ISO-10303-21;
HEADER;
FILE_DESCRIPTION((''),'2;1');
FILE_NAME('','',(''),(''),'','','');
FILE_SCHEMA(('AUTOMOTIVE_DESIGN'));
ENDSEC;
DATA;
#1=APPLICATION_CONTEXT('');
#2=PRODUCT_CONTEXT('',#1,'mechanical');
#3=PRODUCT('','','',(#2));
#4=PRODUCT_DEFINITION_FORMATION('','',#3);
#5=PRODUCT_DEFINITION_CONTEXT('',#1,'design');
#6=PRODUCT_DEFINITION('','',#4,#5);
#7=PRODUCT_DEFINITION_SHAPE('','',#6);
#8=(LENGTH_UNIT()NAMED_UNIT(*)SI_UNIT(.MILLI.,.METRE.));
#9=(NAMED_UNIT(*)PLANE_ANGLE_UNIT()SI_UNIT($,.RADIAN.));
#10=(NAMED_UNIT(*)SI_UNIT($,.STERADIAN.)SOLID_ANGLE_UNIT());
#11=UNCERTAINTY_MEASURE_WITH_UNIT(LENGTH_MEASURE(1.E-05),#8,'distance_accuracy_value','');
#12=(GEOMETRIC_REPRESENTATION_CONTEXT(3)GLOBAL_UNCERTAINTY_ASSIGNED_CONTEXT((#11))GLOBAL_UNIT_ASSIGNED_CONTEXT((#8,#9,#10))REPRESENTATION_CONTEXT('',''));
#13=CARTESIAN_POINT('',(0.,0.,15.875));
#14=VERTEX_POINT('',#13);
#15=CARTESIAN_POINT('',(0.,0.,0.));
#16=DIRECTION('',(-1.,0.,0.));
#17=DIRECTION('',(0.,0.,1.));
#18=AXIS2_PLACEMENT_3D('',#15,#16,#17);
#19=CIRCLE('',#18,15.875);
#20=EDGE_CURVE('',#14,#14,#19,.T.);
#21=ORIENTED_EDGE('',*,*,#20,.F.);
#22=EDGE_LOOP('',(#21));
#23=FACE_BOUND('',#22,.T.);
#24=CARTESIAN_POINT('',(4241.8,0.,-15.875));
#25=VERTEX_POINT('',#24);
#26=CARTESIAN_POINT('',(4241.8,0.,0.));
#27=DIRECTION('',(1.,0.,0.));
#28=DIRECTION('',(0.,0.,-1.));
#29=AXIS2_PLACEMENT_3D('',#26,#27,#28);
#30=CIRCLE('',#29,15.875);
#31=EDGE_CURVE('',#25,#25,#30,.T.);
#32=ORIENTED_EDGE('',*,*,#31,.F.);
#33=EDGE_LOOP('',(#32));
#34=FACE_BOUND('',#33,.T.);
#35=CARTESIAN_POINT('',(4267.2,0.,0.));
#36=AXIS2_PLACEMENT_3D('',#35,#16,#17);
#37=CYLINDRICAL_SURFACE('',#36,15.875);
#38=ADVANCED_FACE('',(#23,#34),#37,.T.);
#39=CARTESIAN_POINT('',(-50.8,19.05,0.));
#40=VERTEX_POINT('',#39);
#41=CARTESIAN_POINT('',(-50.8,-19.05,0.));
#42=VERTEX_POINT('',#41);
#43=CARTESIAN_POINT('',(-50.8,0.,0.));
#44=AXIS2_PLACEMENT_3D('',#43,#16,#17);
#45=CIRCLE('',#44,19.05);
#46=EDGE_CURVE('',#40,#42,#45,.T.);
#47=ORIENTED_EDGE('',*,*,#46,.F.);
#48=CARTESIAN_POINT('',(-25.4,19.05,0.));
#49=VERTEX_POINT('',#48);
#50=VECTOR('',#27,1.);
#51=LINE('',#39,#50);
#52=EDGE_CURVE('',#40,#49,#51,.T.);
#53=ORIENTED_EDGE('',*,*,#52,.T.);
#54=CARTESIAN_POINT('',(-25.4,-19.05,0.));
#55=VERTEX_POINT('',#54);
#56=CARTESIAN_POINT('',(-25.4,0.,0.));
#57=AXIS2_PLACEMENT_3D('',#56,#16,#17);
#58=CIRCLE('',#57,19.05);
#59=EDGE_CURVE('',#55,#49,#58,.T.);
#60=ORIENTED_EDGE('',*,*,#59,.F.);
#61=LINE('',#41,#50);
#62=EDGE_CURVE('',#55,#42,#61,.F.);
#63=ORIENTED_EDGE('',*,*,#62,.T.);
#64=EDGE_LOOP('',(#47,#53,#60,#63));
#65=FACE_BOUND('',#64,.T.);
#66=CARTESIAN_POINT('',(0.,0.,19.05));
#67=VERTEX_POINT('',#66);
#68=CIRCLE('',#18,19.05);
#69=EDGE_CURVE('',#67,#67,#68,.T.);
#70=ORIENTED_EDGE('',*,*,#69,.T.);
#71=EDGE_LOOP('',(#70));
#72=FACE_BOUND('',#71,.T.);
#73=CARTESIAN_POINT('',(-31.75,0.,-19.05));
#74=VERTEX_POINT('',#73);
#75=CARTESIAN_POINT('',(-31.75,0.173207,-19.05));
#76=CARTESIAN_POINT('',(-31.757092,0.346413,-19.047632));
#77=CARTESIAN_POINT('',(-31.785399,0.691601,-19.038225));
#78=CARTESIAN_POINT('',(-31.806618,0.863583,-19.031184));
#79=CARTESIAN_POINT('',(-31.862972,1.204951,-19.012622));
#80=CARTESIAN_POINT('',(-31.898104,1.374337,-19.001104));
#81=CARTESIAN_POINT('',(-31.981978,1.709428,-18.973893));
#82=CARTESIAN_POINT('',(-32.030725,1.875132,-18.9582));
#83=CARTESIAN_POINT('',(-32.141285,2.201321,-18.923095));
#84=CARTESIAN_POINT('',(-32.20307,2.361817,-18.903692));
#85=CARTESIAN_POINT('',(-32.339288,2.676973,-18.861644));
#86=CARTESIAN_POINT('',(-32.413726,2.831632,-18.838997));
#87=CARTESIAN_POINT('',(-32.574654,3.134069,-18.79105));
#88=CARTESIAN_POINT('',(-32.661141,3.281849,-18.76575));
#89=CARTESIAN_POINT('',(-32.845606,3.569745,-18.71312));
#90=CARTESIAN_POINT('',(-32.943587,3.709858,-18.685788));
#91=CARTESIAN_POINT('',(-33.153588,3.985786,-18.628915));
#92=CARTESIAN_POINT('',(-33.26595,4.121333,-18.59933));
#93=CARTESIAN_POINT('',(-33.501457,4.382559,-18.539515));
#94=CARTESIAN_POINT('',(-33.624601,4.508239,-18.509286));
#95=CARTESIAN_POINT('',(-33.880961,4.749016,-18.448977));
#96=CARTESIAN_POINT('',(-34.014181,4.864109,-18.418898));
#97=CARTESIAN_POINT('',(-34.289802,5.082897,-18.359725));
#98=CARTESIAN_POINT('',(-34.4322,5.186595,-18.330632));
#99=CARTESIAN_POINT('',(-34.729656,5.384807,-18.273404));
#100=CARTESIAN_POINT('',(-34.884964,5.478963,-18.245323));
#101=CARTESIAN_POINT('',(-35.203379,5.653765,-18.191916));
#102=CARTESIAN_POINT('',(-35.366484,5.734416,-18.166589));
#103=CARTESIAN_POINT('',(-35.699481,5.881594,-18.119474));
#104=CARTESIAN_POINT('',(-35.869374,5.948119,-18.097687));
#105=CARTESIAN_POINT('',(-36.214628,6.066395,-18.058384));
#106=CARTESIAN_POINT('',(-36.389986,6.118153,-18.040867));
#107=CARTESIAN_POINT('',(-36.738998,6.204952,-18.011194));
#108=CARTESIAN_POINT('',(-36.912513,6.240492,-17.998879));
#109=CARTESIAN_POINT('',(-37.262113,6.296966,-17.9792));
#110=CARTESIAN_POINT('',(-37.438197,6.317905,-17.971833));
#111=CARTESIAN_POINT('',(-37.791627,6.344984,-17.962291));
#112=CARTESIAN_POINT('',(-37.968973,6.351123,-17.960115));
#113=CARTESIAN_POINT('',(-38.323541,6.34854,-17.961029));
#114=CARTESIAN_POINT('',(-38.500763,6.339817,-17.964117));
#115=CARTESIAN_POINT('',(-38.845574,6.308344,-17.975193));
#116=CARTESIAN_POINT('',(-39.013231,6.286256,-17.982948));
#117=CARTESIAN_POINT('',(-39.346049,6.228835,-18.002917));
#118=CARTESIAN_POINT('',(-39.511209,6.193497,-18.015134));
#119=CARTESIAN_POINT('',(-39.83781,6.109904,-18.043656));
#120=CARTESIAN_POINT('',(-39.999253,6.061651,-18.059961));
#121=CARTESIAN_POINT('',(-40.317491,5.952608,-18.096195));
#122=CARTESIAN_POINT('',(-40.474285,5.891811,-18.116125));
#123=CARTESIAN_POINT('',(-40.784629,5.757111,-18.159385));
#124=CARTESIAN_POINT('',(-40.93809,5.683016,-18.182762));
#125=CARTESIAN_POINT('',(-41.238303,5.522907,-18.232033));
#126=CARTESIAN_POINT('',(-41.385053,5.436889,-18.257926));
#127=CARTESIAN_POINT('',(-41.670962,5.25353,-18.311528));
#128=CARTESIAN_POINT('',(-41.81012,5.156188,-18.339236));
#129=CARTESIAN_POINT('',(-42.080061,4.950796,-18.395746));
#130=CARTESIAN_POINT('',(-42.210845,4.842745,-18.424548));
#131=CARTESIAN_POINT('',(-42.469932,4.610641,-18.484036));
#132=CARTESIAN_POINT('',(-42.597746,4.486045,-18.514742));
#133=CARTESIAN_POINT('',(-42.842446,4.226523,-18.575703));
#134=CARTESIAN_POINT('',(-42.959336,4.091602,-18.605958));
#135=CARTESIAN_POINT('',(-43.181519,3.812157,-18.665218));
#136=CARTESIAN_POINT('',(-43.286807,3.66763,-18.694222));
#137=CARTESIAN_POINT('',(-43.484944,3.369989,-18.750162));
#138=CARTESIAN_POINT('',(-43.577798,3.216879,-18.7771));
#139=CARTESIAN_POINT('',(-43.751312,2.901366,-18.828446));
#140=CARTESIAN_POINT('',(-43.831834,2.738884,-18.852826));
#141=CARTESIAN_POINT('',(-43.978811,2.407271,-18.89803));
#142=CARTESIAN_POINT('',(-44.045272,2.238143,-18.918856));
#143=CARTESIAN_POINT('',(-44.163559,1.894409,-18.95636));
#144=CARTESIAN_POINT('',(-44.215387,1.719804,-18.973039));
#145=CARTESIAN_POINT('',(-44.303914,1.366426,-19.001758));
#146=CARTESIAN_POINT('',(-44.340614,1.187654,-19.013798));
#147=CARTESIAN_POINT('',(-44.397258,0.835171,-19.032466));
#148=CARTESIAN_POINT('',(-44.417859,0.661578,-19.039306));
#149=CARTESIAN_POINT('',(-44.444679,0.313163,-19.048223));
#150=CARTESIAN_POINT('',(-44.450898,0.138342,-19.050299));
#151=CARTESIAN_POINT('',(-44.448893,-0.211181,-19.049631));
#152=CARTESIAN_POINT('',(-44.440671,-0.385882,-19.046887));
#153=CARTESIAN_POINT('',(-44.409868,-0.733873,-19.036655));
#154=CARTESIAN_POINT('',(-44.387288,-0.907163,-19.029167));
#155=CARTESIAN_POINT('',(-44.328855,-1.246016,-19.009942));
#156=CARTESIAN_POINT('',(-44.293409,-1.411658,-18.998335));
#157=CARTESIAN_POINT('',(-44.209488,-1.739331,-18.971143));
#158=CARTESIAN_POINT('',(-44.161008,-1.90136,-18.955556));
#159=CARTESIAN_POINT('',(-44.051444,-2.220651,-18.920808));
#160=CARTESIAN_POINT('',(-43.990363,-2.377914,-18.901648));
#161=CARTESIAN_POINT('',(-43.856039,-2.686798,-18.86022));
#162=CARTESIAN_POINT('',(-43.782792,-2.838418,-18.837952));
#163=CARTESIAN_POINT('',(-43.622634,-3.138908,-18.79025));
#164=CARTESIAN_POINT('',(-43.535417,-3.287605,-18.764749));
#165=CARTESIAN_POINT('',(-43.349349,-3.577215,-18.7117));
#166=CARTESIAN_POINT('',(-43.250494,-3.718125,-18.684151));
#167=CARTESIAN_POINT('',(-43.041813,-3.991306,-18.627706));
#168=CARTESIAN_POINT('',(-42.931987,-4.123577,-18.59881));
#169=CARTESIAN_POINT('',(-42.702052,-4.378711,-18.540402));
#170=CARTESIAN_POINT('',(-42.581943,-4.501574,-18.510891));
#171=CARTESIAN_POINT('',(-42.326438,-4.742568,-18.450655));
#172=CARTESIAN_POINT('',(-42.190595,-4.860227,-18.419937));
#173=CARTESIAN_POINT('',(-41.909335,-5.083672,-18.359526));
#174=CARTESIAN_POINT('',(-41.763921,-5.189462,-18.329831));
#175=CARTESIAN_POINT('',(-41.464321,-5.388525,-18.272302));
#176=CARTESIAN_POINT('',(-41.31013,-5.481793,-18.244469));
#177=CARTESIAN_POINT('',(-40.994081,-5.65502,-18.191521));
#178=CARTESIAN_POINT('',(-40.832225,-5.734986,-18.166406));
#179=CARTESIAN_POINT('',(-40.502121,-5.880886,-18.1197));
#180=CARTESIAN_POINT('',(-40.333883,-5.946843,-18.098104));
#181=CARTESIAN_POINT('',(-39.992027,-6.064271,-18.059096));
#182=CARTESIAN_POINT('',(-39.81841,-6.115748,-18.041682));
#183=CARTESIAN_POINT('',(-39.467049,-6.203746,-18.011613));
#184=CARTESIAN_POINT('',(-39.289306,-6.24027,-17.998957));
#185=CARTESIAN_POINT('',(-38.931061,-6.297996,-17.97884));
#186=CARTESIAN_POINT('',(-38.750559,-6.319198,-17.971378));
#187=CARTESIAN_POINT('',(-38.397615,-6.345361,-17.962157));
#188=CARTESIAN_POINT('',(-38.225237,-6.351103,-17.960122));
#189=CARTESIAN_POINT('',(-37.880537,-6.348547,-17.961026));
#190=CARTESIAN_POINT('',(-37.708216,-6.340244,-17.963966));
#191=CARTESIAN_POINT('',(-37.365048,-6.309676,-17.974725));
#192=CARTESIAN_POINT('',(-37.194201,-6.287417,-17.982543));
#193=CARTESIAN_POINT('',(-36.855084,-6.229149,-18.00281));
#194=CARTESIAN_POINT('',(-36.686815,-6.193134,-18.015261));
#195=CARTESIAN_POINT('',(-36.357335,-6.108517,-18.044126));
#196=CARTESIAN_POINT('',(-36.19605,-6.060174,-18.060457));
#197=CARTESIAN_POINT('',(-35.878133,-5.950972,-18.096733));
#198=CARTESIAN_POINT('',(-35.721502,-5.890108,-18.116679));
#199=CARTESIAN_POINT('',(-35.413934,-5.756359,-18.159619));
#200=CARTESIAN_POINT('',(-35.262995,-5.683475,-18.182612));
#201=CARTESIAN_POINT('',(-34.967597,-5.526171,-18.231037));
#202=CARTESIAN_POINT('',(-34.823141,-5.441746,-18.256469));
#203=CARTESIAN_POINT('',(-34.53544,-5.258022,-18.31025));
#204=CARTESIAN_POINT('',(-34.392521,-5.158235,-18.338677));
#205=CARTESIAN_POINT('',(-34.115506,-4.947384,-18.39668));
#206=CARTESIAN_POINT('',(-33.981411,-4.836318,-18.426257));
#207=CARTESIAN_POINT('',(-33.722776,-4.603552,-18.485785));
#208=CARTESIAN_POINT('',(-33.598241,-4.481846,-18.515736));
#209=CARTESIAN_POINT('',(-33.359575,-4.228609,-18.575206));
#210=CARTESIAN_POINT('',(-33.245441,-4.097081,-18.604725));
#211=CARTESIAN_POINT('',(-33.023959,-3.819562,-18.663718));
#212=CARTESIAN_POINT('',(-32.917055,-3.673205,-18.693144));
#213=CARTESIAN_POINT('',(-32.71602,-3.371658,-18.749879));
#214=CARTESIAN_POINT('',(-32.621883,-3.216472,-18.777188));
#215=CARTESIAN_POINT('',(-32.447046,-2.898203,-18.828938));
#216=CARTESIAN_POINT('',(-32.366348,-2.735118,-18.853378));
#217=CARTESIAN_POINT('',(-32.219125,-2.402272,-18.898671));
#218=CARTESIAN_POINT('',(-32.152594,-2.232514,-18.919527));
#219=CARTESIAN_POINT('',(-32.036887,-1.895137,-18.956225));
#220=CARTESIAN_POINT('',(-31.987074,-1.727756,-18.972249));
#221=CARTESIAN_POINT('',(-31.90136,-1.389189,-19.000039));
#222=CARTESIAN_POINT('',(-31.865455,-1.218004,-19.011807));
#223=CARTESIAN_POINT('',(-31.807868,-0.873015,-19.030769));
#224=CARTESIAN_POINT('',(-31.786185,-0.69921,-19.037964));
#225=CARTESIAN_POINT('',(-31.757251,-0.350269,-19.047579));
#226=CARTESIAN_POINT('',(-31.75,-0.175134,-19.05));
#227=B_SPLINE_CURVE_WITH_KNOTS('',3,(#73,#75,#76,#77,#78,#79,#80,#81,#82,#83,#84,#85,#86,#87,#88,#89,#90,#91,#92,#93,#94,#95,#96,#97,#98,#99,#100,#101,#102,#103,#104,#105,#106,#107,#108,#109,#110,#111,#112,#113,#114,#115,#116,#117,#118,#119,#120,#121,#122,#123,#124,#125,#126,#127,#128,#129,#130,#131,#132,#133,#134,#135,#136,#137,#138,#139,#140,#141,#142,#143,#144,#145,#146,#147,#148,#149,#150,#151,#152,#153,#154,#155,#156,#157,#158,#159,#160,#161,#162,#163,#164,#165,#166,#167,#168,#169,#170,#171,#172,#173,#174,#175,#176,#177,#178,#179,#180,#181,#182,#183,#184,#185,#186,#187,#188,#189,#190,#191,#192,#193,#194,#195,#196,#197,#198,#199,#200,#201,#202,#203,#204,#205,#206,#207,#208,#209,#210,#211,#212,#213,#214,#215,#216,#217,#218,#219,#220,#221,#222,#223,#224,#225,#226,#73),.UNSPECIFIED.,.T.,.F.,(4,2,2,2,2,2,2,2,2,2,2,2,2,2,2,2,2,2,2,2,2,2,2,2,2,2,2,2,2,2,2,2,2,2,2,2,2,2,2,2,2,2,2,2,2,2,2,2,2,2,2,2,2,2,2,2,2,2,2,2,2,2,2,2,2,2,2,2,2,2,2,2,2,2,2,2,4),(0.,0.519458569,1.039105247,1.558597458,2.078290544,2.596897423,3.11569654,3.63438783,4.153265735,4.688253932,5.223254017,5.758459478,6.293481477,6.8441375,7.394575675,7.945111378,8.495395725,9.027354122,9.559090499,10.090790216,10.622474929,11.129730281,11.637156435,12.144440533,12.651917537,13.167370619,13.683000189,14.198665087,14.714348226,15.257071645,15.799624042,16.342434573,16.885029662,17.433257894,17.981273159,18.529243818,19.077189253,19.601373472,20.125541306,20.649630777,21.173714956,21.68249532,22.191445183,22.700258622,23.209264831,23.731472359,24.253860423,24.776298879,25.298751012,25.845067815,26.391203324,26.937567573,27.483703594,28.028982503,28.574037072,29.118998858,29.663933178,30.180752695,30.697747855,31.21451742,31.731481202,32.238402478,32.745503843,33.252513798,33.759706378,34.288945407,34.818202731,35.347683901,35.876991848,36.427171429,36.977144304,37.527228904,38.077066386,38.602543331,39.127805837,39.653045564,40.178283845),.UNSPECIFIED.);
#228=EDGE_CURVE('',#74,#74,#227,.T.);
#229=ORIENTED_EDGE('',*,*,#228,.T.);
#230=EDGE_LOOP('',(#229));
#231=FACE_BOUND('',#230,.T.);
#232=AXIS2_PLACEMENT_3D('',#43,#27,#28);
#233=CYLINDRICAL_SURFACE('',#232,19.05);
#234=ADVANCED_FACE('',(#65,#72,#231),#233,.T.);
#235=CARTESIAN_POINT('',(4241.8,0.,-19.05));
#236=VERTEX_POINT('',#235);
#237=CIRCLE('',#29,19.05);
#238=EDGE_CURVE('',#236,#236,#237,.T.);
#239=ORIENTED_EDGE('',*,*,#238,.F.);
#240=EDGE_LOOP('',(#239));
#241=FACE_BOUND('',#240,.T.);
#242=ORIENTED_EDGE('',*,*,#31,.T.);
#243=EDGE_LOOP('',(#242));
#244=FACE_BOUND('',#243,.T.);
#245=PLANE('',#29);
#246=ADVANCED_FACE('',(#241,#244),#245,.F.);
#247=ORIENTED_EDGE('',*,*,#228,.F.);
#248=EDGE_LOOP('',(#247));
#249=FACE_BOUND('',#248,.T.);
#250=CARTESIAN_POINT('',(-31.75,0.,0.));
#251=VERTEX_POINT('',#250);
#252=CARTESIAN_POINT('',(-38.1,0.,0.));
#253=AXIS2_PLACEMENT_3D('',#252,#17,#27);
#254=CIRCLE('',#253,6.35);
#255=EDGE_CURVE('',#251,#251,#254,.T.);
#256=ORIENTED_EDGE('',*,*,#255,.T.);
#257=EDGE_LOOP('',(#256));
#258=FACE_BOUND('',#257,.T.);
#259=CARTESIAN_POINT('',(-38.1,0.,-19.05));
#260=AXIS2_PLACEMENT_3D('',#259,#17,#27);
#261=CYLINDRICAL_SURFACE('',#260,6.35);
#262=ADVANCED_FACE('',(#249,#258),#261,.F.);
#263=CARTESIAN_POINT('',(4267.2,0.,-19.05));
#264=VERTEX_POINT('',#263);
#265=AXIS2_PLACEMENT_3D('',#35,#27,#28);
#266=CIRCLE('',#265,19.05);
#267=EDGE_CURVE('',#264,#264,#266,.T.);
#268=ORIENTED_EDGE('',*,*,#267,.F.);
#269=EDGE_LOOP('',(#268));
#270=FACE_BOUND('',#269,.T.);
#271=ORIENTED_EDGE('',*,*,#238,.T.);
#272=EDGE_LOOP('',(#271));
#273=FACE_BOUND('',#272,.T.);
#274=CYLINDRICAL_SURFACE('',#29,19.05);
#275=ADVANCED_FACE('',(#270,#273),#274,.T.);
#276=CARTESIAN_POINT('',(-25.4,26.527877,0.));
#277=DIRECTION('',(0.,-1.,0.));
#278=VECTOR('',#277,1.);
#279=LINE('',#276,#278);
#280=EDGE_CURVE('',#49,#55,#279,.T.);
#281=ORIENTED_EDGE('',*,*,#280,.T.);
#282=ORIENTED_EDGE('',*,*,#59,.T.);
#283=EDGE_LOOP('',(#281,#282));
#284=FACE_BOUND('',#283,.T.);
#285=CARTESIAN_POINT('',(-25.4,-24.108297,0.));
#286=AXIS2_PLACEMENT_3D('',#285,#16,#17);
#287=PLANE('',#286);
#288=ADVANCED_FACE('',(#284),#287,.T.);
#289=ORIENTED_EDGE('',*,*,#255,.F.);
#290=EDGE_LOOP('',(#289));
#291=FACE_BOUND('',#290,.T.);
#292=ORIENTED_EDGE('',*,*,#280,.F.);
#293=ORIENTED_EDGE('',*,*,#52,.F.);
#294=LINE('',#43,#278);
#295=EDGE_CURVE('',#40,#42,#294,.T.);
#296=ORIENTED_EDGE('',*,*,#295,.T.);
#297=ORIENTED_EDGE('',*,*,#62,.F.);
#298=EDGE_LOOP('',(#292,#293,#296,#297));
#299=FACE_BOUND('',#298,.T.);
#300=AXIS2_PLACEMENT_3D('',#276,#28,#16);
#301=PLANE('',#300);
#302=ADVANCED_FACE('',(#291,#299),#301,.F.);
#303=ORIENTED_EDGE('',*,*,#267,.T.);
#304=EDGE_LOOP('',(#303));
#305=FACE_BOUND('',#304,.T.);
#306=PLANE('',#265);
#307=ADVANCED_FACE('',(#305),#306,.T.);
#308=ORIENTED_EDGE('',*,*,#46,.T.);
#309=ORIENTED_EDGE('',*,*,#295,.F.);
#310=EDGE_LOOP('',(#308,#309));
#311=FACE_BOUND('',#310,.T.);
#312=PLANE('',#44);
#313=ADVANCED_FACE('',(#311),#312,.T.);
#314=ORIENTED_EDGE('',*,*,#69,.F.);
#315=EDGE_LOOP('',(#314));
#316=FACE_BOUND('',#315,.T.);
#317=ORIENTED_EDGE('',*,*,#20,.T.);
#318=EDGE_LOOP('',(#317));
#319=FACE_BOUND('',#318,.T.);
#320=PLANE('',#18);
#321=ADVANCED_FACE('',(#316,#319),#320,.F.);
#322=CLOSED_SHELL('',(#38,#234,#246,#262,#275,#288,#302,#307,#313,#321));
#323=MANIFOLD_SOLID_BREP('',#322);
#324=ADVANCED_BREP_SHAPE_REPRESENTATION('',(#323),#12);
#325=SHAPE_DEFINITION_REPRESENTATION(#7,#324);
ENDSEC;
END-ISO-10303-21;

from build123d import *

# Parameters (mm, degrees)
SKETCH1_R           = 15.875
BOSS_EXTRUDE1_DEPTH = 4267.2
SKETCH2_R           = 19.05
BOSS_EXTRUDE2_DEPTH = 25.4
SKETCH3_R           = 19.05
BOSS_EXTRUDE3_DEPTH = 50.8
SKETCH4_W           = 29.09743832
SKETCH4_H           = 50.636173691
CUT_EXTRUDE1_DEPTH  = 25.4
SKETCH5_R           = 6.35
CUT_EXTRUDE2_DEPTH  = 20.05


with BuildPart() as part:
    # Sketch1 → Boss-Extrude1 (new body)
    with BuildSketch(Plane(origin=(0, 0, 0), x_dir=(0, 0, -1), z_dir=(1, 0, 0))):
        Circle(SKETCH1_R)
    extrude(amount=BOSS_EXTRUDE1_DEPTH)

    # Sketch2 → Boss-Extrude2 (add)
    with BuildSketch(Plane(origin=(4267.2, 0, 0), x_dir=(0, 0, -1), z_dir=(1, 0, 0))):
        Circle(SKETCH2_R)
    extrude(amount=-BOSS_EXTRUDE2_DEPTH)

    # Sketch3 → Boss-Extrude3 (add)
    with BuildSketch(Plane.ZY):
        Circle(SKETCH3_R)
    extrude(amount=BOSS_EXTRUDE3_DEPTH)

    # Sketch4 → Cut-Extrude1 (cut)
    with BuildSketch(Plane.ZY.offset(50.8)):
        with Locations((14.54871916, 1.209789986)):
            Rectangle(SKETCH4_W, SKETCH4_H)
    extrude(amount=-CUT_EXTRUDE1_DEPTH, mode=Mode.SUBTRACT)

    # Sketch5 → Cut-Extrude2 (cut, through all)
    with BuildSketch(Plane.XY):
        with Locations((-38.1, 0)):
            Circle(SKETCH5_R)
    extrude(amount=-CUT_EXTRUDE2_DEPTH, mode=Mode.SUBTRACT)


solid = part.part
